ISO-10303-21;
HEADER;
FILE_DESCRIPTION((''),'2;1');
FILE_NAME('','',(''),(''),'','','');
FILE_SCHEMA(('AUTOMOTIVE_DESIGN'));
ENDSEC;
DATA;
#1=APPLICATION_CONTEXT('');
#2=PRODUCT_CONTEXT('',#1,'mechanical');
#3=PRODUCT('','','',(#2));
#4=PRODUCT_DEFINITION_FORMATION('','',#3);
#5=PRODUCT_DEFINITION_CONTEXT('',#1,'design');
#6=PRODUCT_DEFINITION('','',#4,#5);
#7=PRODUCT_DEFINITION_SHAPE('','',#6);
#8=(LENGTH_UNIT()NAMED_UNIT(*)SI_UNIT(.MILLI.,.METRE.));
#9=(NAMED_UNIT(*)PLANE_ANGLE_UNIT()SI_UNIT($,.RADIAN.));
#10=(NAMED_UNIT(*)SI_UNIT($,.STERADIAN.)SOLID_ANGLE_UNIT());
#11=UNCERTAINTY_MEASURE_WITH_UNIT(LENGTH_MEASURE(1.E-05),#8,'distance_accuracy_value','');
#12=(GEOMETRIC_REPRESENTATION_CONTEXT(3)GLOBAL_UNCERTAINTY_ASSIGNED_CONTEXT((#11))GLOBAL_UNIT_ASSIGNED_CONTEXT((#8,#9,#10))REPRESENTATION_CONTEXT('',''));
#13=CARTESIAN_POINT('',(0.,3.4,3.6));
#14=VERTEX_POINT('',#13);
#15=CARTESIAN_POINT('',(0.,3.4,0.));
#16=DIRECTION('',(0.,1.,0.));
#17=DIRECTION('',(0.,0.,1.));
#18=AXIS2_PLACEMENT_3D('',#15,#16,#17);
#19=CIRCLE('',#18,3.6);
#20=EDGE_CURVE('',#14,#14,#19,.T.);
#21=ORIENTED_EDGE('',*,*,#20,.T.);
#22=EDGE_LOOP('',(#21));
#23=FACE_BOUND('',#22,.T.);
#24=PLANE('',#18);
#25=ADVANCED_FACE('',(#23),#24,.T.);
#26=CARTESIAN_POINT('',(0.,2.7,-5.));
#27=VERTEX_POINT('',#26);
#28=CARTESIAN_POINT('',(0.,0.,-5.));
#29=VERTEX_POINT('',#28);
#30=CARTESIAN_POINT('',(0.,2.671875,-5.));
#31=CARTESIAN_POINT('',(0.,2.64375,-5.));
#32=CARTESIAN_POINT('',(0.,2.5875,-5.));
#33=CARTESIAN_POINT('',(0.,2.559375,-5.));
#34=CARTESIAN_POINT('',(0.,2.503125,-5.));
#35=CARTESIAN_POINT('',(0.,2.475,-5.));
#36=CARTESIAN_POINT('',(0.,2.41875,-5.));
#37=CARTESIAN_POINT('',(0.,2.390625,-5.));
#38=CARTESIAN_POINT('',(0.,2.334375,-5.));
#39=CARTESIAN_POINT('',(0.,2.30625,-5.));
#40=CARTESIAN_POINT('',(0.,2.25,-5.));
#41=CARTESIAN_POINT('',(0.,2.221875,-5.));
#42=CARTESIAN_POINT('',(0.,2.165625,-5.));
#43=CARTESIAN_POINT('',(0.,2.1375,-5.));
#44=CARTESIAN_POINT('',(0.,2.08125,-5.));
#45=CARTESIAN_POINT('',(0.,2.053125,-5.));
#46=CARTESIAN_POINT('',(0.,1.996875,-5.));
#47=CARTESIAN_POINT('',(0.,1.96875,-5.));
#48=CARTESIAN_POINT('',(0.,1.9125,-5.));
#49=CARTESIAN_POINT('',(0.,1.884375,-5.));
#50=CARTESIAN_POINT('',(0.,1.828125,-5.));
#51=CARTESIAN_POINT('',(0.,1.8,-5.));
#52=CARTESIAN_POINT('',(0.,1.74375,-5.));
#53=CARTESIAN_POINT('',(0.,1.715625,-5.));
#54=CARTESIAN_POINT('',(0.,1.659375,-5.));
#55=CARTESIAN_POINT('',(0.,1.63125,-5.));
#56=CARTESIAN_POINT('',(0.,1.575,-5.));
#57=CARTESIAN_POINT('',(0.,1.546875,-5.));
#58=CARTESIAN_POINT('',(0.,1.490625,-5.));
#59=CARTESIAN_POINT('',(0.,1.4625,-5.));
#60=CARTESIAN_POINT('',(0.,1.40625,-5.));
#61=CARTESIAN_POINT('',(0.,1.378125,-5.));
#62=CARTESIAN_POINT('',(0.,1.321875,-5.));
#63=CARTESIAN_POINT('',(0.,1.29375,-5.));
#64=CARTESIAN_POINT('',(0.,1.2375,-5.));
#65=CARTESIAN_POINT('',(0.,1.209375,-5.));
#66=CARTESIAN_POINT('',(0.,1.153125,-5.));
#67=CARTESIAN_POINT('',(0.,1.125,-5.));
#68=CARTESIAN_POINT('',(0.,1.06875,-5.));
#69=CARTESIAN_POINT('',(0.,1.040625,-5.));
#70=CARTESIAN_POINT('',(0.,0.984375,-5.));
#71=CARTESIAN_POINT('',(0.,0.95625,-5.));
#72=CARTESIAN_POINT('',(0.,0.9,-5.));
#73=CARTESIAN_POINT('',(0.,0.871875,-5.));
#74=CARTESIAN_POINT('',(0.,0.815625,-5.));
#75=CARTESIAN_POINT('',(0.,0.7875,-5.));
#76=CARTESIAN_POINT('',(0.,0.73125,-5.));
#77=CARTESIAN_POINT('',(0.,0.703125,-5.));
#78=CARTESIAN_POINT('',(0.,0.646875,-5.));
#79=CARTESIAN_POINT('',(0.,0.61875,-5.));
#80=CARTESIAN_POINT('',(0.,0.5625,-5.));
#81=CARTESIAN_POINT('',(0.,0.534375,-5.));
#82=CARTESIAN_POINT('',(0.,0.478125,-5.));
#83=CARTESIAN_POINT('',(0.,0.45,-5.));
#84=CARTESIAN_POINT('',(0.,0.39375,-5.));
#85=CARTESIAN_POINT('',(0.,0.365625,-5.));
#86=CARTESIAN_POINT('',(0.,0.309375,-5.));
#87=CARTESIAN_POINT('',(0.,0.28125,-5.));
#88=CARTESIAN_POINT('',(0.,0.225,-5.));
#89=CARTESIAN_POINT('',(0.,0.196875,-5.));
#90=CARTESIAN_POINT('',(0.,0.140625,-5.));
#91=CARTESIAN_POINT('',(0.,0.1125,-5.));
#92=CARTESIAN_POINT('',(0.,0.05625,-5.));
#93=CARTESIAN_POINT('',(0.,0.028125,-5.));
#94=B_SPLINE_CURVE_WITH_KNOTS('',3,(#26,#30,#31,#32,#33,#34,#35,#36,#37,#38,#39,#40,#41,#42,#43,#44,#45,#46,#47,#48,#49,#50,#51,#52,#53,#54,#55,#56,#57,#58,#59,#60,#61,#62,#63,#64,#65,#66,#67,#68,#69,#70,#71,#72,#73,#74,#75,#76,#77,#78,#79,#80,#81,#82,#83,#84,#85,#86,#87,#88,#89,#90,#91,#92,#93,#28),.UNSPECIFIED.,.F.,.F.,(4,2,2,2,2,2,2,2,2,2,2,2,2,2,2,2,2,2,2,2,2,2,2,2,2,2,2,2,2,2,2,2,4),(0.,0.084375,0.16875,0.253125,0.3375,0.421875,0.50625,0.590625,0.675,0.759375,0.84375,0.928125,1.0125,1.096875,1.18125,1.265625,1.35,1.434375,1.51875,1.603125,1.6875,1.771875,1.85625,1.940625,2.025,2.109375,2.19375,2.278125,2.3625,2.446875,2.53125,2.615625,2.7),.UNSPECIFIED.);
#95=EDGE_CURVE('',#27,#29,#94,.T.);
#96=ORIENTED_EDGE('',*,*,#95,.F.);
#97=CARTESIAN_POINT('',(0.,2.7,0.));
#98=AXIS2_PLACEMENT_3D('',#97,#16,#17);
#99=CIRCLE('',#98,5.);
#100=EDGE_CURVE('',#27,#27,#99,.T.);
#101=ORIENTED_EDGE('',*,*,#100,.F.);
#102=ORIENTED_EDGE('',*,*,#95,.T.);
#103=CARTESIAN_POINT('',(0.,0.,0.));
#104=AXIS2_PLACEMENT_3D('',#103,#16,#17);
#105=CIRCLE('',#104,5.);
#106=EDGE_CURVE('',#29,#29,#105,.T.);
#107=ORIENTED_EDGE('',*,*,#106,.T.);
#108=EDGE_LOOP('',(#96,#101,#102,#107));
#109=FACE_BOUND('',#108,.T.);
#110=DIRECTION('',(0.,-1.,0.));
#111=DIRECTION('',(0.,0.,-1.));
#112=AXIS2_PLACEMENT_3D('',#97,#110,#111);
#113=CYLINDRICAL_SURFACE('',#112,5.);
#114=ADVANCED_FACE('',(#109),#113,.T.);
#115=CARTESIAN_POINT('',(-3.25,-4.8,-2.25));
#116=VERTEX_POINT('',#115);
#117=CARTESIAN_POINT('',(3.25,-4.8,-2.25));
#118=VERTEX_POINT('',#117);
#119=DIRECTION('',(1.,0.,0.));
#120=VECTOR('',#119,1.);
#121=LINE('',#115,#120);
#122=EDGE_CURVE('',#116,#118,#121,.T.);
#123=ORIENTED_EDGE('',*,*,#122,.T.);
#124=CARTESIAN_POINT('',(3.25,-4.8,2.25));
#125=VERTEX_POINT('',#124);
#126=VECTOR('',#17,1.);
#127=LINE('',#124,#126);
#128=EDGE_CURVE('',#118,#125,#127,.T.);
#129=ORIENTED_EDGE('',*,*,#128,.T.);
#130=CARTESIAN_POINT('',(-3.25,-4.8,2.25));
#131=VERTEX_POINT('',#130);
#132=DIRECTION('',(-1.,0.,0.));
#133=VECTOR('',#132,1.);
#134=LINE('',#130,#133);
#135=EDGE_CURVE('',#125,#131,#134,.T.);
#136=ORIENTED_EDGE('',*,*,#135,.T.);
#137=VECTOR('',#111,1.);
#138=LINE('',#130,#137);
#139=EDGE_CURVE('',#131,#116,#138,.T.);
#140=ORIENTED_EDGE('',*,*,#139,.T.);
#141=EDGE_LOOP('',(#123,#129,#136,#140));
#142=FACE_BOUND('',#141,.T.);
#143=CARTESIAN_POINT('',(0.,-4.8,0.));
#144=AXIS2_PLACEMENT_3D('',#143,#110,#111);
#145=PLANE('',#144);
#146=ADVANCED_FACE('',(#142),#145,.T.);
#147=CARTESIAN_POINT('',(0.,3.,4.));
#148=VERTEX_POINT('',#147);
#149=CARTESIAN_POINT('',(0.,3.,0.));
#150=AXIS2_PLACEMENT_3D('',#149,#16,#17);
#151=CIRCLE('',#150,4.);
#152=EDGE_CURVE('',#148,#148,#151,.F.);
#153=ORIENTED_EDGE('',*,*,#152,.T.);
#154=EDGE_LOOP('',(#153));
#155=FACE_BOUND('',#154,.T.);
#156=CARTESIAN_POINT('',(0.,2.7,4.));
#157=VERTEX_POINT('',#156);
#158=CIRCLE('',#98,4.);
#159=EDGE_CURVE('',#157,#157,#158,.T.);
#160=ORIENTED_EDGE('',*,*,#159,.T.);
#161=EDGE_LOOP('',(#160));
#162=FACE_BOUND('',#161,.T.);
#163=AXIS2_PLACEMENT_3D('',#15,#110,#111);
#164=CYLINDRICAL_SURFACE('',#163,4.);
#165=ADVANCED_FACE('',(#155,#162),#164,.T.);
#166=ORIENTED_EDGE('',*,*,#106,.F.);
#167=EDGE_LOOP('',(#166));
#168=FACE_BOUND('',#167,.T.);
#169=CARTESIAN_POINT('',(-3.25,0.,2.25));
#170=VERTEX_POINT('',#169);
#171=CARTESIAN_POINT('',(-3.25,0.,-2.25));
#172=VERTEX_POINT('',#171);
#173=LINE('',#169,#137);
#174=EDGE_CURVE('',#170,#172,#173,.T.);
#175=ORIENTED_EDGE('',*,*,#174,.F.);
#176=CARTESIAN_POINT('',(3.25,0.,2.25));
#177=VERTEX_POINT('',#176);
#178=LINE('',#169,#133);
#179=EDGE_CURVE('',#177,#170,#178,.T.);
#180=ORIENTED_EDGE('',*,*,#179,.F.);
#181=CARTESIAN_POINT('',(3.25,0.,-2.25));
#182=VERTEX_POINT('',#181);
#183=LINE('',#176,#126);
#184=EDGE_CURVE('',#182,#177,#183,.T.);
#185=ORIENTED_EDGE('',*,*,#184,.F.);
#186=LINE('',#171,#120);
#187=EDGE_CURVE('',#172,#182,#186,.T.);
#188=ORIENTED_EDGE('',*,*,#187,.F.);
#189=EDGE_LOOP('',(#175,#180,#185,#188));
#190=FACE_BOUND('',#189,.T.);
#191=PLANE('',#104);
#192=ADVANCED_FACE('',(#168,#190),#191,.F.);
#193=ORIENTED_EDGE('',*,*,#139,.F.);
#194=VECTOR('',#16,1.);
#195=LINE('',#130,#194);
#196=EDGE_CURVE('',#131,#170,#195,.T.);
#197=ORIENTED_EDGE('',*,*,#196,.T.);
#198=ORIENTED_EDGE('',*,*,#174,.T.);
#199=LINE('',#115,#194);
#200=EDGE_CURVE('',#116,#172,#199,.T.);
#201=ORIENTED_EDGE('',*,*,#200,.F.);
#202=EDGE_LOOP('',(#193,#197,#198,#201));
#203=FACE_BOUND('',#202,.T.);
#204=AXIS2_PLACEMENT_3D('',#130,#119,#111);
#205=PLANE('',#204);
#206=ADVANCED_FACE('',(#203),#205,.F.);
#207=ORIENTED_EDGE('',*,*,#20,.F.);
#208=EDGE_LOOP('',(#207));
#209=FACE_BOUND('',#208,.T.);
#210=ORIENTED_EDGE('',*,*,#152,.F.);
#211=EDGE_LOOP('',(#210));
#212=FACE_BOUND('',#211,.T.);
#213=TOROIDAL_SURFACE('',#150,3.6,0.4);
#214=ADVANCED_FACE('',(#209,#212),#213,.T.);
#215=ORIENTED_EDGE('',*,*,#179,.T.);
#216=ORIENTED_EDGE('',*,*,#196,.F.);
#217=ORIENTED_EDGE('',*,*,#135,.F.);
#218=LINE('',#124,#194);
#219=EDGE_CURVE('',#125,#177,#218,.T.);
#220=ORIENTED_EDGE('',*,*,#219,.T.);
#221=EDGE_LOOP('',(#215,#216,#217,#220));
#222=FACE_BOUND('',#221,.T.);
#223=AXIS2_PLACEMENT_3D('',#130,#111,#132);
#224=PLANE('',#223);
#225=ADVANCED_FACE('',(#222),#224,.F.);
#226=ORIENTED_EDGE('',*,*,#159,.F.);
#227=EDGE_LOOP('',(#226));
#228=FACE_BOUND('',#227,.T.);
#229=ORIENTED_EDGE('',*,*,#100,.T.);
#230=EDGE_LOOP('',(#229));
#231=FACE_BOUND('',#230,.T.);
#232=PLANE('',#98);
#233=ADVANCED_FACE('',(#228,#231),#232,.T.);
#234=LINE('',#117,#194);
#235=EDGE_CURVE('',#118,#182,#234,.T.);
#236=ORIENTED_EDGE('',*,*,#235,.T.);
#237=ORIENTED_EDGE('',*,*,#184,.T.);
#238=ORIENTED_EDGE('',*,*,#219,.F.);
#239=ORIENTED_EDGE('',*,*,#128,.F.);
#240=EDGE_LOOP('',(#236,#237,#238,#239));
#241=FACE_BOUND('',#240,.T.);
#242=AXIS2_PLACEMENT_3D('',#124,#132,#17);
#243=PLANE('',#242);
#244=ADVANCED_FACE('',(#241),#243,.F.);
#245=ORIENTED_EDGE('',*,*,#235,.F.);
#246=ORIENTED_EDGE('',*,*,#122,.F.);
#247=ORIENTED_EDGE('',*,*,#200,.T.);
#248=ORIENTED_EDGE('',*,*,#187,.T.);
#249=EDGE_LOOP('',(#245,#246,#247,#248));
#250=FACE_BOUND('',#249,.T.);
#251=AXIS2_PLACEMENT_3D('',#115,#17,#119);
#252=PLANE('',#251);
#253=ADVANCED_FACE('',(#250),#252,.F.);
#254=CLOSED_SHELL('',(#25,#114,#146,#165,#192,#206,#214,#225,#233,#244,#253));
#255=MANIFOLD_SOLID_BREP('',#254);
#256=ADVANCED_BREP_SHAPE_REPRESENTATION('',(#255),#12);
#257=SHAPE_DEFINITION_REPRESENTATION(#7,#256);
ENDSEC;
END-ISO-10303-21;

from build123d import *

# Parameters (mm, degrees)
SKETCH1_R           = 5
BOSS_EXTRUDE1_DEPTH = 2.7
SKETCH2_R           = 4
BOSS_EXTRUDE2_DEPTH = 0.7
FILLET1_R           = 0.4
SKETCH3_W           = 6.5
SKETCH3_H           = 4.5
BOSS_EXTRUDE3_DEPTH = 4.8


with BuildPart() as part:
    # Sketch1 → Boss-Extrude1 (new body)
    with BuildSketch(Plane(origin=(0, 0, 0), x_dir=(1, 0, 0), z_dir=(0, 1, 0))):
        with Locations(Location((0, 0, 0), (0, 0, 90))):
            Circle(SKETCH1_R)
    extrude(amount=BOSS_EXTRUDE1_DEPTH)

    # Sketch2 → Boss-Extrude2 (add)
    with BuildSketch(Plane(origin=(0, 2.7, 0), x_dir=(1, 0, 0), z_dir=(0, 1, 0))):
        with Locations(Location((0, 0, 0), (0, 0, 270))):
            Circle(SKETCH2_R)
    extrude(amount=BOSS_EXTRUDE2_DEPTH)

    # Fillet1
    fillet1_edges = [part.edges().sort_by_distance(p)[0] for p in [
        (0, 3.4, -4),
    ]]
    fillet(fillet1_edges, radius=FILLET1_R)

    # Sketch3 → Boss-Extrude3 (add)
    with BuildSketch(Plane.XZ):
        Rectangle(SKETCH3_W, SKETCH3_H)
    extrude(amount=BOSS_EXTRUDE3_DEPTH)


solid = part.part
